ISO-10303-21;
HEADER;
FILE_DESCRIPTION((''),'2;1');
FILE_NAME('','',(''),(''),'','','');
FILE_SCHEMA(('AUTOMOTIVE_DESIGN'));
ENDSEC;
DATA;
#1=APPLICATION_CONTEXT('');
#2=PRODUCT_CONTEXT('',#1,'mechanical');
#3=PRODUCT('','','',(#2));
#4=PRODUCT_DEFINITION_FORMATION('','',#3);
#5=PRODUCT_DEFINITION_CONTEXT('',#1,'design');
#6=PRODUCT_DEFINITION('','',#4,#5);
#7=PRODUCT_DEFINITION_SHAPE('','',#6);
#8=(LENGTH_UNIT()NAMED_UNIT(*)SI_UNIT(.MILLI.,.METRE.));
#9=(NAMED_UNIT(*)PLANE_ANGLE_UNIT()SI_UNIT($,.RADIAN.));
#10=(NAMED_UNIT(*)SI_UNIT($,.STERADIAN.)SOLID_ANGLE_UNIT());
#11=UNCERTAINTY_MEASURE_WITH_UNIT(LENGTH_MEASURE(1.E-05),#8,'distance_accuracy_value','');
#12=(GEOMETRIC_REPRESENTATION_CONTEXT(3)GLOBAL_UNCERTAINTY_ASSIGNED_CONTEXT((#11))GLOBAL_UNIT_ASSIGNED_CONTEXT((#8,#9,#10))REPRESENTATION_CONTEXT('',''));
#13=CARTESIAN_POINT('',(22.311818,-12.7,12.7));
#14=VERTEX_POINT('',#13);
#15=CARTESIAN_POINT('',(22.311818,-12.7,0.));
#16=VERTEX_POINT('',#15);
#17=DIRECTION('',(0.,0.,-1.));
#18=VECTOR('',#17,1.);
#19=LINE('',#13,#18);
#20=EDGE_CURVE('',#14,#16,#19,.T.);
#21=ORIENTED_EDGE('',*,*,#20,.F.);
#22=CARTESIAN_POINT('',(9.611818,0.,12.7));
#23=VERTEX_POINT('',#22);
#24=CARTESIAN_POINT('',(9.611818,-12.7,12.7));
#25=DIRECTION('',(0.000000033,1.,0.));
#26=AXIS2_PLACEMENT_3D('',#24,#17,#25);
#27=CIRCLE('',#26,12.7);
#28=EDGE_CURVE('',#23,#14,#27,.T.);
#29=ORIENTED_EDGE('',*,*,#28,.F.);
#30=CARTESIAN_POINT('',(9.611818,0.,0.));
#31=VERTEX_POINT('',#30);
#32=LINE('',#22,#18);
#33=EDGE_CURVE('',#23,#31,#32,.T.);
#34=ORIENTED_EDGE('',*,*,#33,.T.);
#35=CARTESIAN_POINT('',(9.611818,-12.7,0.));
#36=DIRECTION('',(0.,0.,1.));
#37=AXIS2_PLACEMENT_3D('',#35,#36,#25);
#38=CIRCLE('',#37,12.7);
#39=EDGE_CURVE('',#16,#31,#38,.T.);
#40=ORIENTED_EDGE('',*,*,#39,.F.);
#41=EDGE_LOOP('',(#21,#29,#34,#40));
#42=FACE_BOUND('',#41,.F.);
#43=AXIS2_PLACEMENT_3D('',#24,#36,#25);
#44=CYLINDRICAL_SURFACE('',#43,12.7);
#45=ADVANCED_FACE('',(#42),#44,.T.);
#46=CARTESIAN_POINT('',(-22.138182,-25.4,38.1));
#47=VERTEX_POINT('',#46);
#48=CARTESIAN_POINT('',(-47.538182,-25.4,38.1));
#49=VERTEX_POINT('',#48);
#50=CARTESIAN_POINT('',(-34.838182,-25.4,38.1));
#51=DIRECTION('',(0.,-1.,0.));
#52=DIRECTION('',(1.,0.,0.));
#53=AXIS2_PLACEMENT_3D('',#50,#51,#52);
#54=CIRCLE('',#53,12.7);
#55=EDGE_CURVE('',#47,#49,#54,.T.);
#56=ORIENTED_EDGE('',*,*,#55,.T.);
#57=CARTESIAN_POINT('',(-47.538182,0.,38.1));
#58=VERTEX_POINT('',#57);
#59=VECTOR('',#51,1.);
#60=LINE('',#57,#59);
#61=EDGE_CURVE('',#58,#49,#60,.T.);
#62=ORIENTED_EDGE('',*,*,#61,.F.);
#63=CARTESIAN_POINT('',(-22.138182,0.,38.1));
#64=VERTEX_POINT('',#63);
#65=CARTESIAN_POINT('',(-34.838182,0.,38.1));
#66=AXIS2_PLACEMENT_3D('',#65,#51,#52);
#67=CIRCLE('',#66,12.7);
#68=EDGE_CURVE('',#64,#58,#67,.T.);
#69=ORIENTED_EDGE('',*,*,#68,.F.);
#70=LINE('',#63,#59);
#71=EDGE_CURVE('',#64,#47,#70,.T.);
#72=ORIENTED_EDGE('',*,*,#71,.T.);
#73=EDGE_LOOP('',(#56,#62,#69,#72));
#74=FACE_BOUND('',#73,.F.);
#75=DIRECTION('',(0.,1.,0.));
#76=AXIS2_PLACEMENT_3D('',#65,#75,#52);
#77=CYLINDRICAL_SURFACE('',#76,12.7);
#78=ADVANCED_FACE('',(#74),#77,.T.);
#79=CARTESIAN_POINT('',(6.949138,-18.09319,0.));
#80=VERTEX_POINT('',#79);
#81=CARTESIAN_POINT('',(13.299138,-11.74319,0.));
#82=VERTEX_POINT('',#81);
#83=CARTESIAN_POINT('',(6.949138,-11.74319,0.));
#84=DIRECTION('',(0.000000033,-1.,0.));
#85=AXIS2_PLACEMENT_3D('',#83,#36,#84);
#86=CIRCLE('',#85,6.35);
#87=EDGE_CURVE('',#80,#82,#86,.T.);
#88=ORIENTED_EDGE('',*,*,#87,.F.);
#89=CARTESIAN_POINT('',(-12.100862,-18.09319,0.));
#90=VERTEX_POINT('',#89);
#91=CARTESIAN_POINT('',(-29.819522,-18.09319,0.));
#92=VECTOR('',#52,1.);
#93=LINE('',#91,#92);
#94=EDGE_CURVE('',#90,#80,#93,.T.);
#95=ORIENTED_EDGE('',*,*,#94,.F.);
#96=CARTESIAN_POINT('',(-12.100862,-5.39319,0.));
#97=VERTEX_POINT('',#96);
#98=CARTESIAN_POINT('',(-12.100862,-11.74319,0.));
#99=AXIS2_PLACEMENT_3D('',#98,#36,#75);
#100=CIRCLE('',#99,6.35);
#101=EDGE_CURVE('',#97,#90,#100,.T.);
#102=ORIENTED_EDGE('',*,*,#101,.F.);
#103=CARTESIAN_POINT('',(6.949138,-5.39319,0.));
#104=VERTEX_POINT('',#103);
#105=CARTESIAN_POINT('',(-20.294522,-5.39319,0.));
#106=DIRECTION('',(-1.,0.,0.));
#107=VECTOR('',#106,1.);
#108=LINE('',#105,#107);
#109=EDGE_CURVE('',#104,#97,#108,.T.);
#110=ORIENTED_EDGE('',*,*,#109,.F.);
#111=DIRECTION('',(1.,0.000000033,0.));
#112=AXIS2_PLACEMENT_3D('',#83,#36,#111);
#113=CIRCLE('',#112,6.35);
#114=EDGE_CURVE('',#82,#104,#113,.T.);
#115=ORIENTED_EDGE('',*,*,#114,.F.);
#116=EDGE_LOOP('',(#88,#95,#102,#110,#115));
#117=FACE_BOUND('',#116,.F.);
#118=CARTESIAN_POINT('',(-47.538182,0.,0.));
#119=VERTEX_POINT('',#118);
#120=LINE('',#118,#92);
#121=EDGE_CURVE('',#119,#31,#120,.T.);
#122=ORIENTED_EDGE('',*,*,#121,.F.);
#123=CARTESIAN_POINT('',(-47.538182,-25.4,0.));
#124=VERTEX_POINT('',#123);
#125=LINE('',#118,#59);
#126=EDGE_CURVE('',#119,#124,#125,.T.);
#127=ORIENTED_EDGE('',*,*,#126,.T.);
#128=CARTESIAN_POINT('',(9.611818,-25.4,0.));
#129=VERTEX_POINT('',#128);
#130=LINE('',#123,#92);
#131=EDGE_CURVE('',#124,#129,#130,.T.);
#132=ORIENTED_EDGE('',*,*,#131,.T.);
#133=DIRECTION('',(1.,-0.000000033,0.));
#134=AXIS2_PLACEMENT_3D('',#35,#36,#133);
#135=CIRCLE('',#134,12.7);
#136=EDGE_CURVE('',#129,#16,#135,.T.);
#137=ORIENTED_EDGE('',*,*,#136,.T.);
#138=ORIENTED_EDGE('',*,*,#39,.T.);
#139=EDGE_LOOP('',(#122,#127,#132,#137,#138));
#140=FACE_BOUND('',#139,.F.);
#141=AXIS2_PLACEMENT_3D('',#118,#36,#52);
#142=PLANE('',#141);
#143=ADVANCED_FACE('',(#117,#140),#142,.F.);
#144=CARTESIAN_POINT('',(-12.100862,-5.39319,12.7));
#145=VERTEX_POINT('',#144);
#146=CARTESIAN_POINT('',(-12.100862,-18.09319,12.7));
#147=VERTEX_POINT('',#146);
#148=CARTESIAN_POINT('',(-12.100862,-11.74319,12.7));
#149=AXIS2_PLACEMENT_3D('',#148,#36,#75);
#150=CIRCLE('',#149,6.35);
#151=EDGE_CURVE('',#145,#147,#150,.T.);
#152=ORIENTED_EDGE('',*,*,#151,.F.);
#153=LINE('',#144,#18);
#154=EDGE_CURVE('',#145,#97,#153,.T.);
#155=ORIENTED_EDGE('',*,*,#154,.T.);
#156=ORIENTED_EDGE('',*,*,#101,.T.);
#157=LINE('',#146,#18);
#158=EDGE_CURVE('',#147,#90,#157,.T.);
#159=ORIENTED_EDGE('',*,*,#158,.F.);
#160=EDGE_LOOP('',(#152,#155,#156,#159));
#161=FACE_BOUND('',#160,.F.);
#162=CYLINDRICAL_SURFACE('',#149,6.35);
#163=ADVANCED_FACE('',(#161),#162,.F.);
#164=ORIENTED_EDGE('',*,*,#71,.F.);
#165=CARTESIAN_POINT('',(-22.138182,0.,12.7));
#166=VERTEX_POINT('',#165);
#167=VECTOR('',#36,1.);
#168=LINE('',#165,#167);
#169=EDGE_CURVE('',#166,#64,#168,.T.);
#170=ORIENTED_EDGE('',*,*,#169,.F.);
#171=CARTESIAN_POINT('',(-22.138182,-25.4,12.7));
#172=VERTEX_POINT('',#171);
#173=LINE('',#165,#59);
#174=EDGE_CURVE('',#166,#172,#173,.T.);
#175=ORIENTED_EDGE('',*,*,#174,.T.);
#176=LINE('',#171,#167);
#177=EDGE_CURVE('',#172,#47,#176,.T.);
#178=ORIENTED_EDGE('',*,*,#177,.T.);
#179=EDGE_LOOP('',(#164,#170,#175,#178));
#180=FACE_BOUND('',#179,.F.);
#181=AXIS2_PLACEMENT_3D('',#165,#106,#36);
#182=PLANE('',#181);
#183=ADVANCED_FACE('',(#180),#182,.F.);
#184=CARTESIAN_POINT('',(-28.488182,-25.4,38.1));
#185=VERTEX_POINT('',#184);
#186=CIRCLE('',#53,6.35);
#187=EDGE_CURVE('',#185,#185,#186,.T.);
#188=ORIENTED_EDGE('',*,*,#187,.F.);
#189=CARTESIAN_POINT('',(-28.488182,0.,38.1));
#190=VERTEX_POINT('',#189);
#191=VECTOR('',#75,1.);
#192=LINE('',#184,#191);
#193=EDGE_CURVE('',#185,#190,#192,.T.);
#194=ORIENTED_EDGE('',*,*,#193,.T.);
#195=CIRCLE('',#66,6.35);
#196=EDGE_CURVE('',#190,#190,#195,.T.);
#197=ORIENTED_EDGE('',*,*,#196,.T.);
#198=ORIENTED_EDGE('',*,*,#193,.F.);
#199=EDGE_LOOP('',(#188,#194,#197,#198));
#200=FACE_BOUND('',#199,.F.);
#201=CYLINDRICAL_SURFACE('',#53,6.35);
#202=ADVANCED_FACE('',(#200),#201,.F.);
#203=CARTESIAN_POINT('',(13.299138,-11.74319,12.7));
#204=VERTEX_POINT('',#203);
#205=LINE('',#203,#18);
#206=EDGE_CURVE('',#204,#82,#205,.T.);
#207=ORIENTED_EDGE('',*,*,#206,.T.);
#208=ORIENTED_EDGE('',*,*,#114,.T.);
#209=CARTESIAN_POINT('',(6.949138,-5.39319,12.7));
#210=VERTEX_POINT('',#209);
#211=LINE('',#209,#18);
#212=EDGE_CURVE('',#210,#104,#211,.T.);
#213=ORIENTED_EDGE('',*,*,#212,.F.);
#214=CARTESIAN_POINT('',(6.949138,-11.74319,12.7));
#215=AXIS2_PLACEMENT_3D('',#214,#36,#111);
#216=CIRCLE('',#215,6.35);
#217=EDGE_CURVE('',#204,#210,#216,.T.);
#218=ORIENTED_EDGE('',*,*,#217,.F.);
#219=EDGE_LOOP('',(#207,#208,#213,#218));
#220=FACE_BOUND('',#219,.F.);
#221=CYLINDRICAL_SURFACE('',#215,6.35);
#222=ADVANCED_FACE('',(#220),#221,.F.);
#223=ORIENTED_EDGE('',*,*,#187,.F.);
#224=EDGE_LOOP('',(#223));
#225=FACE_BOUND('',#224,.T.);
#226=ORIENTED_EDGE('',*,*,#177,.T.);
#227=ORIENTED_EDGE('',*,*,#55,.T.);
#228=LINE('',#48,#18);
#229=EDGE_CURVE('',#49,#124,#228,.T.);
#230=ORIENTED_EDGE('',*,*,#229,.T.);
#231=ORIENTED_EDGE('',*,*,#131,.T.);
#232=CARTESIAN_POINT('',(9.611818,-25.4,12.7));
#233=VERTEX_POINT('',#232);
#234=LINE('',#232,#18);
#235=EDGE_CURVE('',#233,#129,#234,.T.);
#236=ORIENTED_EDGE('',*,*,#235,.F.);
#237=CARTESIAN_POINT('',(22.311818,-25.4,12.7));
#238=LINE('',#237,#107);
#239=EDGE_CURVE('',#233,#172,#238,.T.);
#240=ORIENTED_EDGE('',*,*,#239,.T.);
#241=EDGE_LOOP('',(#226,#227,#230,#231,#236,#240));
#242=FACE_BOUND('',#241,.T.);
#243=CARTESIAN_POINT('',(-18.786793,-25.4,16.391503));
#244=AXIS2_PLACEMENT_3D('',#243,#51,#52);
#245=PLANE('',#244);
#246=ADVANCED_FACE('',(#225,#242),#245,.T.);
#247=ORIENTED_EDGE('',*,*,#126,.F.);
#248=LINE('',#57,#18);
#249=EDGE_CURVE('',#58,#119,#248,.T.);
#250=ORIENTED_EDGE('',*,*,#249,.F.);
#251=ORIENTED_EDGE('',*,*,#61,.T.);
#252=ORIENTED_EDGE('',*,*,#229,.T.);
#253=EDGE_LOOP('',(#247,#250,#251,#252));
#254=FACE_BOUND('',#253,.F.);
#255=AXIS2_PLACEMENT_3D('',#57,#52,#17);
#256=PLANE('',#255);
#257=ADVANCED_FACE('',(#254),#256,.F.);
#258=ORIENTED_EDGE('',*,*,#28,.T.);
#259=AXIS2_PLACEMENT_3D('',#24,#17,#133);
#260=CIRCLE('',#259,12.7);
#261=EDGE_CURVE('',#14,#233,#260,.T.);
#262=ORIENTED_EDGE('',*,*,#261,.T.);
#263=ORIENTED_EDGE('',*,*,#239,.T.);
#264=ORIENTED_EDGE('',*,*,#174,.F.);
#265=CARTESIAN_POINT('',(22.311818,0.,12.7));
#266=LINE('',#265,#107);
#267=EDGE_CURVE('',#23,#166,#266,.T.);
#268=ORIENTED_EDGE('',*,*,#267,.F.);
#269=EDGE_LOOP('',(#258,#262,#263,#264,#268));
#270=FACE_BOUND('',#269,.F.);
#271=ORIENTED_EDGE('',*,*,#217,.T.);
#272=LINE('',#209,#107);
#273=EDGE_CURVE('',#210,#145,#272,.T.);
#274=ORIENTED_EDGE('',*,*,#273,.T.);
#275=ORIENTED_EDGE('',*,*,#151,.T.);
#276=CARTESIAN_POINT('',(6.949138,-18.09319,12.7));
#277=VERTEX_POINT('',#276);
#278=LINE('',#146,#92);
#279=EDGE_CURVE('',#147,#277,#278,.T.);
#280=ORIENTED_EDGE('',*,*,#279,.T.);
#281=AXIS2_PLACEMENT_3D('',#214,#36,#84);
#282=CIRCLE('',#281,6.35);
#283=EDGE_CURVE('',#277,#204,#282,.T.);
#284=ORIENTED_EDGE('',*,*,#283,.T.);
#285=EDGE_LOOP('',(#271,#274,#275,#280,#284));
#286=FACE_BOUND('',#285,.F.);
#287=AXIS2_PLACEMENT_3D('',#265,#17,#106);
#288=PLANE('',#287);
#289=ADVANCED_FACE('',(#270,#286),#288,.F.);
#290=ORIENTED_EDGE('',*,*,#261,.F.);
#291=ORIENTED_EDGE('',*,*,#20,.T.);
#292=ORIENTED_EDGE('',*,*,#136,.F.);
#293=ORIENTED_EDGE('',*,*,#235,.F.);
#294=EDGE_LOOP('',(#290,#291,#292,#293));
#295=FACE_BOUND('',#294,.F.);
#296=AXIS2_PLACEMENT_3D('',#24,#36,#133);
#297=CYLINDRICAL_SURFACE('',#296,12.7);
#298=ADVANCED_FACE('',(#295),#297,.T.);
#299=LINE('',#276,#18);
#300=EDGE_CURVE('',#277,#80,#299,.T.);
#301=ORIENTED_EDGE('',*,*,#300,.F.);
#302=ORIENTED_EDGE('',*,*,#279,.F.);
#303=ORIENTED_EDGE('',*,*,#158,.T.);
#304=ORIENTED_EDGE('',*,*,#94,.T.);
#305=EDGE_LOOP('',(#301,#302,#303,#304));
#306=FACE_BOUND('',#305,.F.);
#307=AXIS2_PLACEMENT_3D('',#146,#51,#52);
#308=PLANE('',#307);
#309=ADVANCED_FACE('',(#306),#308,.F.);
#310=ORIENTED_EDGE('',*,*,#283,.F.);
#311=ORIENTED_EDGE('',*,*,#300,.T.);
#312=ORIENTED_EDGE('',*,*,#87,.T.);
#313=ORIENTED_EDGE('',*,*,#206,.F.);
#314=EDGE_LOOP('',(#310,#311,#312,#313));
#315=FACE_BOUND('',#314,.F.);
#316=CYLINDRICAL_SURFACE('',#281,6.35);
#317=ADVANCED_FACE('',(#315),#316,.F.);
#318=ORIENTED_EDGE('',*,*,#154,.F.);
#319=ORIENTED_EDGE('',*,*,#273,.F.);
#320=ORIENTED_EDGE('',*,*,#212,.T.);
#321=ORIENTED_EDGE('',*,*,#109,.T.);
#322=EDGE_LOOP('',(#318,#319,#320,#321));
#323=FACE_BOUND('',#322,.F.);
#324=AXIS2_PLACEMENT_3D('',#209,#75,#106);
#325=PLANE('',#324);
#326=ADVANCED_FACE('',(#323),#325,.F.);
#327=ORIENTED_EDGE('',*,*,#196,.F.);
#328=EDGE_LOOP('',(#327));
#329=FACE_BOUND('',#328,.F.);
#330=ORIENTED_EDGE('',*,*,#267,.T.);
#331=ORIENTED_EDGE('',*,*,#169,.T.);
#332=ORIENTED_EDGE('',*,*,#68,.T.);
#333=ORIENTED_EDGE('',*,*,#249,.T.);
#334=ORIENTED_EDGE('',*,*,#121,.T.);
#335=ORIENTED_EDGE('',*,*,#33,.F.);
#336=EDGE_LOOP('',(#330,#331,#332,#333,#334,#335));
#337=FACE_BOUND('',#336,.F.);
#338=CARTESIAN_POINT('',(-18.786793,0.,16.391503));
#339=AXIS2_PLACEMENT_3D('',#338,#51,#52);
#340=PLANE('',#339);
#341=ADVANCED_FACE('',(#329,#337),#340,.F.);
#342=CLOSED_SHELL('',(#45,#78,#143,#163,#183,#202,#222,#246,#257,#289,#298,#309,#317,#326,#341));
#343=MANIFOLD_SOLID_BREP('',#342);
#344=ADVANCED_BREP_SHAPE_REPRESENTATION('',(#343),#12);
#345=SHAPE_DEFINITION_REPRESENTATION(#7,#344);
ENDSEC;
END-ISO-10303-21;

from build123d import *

# Parameters (mm, degrees)
F1_DEPTH = 25.4
F2_R     = 6.35
F3_DEPTH = 25.4
F5_DEPTH = 25.4
F7_DEPTH = 12.701


with BuildPart() as f1:
    # F0 (on Front) → F1 (new body)
    with BuildSketch(Plane.XZ):
        with BuildLine():
            Line((-47.538182, 38.1), (-47.538182, 0))
            Line((-47.538182, 0), (22.311818, 0))
            Line((22.311818, 0), (22.311818, 12.7))
            Line((22.311818, 12.7), (-22.138182, 12.7))
            Line((-22.138182, 12.7), (-22.138182, 38.1))
            ThreePointArc((-22.138182, 38.1), (-34.838182, 50.8), (-47.538182, 38.1))
        make_face()
    extrude(amount=F1_DEPTH)

    # F2 (on face) → F3 (cut)
    with BuildSketch(Plane.XZ.offset(25.4)):
        with Locations((-34.838182, 38.1)):
            Circle(F2_R)
    extrude(amount=-F3_DEPTH, mode=Mode.SUBTRACT)

    # F4 (on face) → F5 (cut)
    with BuildSketch(Plane.XY.offset(12.7)):
        with BuildLine():
            ThreePointArc((9.611818, 0), (18.592074, -3.719744), (22.311818, -12.7))
            Line((22.311818, -12.7), (22.311818, 0))
            Line((22.311818, 0), (9.611818, 0))
        make_face()
        with BuildLine():
            ThreePointArc((22.311818, -12.7), (18.592074, -21.680256), (9.611818, -25.4))
            Line((9.611818, -25.4), (22.311818, -25.4))
            Line((22.311818, -25.4), (22.311818, -12.7))
        make_face()
    extrude(amount=-F5_DEPTH, mode=Mode.SUBTRACT)

    # F6 (on face) → F7 (cut, through all)
    with BuildSketch(Plane.XY.offset(12.7)):
        with BuildLine():
            ThreePointArc((-12.100862, -18.09319), (-7.610734, -16.233318), (-5.750862, -11.74319))
            ThreePointArc((-5.750862, -11.74319), (-7.610734, -7.253062), (-12.100862, -5.39319))
            Line((-12.100862, -5.39319), (-12.100862, -18.09319))
        make_face()
        with BuildLine():
            Line((-12.100862, -18.09319), (-12.100862, -5.39319))
            ThreePointArc((-12.100862, -5.39319), (-18.450862, -11.74319), (-12.100862, -18.09319))
        make_face()
        with BuildLine():
            ThreePointArc((-12.100862, -5.39319), (-7.610734, -7.253062), (-5.750862, -11.74319))
            ThreePointArc((-5.750862, -11.74319), (-7.610734, -16.233318), (-12.100862, -18.09319))
            Line((-12.100862, -18.09319), (6.949138, -18.09319))
            ThreePointArc((6.949138, -18.09319), (0.599138, -11.74319), (6.949138, -5.39319))
            Line((6.949138, -5.39319), (-12.100862, -5.39319))
        make_face()
        with BuildLine():
            Line((6.949138, -18.09319), (6.949138, -5.39319))
            ThreePointArc((6.949138, -5.39319), (0.599138, -11.74319), (6.949138, -18.09319))
        make_face()
        with BuildLine():
            ThreePointArc((13.299138, -11.74319), (11.439266, -7.253062), (6.949138, -5.39319))
            Line((6.949138, -5.39319), (6.949138, -18.09319))
            ThreePointArc((6.949138, -18.09319), (11.439266, -16.233318), (13.299138, -11.74319))
        make_face()
    extrude(amount=-F7_DEPTH, mode=Mode.SUBTRACT)


solid = f1.part
